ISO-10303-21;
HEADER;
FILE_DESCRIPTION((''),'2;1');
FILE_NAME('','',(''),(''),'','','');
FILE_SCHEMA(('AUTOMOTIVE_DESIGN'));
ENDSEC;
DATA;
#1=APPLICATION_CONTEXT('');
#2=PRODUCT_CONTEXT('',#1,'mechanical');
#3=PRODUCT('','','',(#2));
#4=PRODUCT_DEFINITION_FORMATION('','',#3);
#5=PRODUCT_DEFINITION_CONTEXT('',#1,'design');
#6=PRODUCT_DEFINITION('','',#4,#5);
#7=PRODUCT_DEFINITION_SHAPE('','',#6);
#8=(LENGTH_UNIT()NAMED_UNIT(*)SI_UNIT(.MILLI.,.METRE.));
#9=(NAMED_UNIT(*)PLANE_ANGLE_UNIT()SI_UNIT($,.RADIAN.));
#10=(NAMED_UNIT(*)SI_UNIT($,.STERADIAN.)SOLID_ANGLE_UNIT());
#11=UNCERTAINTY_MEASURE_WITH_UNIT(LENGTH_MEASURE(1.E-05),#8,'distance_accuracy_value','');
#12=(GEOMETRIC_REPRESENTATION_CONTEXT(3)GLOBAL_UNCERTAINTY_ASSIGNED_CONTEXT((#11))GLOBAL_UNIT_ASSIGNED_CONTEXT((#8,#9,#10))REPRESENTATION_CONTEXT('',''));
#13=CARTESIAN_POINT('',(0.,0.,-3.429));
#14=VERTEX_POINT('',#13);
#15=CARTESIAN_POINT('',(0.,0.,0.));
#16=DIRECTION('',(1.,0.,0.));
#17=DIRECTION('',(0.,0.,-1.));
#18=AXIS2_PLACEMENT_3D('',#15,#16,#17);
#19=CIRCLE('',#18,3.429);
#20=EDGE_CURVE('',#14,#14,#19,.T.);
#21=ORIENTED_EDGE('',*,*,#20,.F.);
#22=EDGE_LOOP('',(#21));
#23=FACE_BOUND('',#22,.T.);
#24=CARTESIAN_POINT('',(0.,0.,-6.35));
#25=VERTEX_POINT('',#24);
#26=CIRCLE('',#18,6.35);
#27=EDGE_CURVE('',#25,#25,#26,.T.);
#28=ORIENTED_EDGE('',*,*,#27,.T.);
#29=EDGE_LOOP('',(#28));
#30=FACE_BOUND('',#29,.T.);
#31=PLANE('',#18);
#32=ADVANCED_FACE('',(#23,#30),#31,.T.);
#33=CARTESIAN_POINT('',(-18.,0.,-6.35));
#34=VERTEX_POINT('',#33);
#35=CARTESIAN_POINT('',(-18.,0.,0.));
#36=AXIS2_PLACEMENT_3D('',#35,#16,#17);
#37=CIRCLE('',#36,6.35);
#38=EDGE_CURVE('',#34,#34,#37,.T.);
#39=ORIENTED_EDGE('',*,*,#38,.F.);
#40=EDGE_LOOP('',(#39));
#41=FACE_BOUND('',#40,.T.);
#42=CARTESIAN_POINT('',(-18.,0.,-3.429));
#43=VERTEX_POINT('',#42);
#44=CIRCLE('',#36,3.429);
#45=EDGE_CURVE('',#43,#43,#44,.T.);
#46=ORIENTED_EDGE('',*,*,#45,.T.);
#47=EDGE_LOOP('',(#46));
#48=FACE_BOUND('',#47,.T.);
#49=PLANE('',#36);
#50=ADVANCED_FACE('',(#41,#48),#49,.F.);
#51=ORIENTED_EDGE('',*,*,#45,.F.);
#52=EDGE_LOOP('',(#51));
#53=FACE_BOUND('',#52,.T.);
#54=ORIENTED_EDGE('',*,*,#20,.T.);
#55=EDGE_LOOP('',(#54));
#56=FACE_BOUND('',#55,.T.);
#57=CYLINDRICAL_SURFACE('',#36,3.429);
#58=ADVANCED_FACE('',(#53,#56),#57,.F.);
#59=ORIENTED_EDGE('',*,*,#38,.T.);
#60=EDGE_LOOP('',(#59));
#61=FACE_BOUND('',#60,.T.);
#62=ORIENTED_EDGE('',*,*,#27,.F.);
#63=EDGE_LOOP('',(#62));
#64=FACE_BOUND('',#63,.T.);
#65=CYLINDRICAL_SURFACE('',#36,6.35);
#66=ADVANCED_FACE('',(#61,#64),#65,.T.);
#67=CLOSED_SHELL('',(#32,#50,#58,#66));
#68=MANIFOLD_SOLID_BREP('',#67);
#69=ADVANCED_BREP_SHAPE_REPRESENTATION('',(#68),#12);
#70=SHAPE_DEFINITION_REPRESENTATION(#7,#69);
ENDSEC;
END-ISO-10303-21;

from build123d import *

# Parameters (mm, degrees)
ESQUISSE1_R        = 6.35
ESQUISSE1_R_2      = 3.429
BOSS_EXTRU_1_DEPTH = 18


with BuildPart() as part:
    # Esquisse1 → Boss.-Extru.1 (new body)
    with BuildSketch(Plane(origin=(0, 0, 0), x_dir=(0, 0, -1), z_dir=(1, 0, 0))):
        Circle(ESQUISSE1_R)
        Circle(ESQUISSE1_R_2, mode=Mode.SUBTRACT)
    extrude(amount=-BOSS_EXTRU_1_DEPTH)


solid = part.part
